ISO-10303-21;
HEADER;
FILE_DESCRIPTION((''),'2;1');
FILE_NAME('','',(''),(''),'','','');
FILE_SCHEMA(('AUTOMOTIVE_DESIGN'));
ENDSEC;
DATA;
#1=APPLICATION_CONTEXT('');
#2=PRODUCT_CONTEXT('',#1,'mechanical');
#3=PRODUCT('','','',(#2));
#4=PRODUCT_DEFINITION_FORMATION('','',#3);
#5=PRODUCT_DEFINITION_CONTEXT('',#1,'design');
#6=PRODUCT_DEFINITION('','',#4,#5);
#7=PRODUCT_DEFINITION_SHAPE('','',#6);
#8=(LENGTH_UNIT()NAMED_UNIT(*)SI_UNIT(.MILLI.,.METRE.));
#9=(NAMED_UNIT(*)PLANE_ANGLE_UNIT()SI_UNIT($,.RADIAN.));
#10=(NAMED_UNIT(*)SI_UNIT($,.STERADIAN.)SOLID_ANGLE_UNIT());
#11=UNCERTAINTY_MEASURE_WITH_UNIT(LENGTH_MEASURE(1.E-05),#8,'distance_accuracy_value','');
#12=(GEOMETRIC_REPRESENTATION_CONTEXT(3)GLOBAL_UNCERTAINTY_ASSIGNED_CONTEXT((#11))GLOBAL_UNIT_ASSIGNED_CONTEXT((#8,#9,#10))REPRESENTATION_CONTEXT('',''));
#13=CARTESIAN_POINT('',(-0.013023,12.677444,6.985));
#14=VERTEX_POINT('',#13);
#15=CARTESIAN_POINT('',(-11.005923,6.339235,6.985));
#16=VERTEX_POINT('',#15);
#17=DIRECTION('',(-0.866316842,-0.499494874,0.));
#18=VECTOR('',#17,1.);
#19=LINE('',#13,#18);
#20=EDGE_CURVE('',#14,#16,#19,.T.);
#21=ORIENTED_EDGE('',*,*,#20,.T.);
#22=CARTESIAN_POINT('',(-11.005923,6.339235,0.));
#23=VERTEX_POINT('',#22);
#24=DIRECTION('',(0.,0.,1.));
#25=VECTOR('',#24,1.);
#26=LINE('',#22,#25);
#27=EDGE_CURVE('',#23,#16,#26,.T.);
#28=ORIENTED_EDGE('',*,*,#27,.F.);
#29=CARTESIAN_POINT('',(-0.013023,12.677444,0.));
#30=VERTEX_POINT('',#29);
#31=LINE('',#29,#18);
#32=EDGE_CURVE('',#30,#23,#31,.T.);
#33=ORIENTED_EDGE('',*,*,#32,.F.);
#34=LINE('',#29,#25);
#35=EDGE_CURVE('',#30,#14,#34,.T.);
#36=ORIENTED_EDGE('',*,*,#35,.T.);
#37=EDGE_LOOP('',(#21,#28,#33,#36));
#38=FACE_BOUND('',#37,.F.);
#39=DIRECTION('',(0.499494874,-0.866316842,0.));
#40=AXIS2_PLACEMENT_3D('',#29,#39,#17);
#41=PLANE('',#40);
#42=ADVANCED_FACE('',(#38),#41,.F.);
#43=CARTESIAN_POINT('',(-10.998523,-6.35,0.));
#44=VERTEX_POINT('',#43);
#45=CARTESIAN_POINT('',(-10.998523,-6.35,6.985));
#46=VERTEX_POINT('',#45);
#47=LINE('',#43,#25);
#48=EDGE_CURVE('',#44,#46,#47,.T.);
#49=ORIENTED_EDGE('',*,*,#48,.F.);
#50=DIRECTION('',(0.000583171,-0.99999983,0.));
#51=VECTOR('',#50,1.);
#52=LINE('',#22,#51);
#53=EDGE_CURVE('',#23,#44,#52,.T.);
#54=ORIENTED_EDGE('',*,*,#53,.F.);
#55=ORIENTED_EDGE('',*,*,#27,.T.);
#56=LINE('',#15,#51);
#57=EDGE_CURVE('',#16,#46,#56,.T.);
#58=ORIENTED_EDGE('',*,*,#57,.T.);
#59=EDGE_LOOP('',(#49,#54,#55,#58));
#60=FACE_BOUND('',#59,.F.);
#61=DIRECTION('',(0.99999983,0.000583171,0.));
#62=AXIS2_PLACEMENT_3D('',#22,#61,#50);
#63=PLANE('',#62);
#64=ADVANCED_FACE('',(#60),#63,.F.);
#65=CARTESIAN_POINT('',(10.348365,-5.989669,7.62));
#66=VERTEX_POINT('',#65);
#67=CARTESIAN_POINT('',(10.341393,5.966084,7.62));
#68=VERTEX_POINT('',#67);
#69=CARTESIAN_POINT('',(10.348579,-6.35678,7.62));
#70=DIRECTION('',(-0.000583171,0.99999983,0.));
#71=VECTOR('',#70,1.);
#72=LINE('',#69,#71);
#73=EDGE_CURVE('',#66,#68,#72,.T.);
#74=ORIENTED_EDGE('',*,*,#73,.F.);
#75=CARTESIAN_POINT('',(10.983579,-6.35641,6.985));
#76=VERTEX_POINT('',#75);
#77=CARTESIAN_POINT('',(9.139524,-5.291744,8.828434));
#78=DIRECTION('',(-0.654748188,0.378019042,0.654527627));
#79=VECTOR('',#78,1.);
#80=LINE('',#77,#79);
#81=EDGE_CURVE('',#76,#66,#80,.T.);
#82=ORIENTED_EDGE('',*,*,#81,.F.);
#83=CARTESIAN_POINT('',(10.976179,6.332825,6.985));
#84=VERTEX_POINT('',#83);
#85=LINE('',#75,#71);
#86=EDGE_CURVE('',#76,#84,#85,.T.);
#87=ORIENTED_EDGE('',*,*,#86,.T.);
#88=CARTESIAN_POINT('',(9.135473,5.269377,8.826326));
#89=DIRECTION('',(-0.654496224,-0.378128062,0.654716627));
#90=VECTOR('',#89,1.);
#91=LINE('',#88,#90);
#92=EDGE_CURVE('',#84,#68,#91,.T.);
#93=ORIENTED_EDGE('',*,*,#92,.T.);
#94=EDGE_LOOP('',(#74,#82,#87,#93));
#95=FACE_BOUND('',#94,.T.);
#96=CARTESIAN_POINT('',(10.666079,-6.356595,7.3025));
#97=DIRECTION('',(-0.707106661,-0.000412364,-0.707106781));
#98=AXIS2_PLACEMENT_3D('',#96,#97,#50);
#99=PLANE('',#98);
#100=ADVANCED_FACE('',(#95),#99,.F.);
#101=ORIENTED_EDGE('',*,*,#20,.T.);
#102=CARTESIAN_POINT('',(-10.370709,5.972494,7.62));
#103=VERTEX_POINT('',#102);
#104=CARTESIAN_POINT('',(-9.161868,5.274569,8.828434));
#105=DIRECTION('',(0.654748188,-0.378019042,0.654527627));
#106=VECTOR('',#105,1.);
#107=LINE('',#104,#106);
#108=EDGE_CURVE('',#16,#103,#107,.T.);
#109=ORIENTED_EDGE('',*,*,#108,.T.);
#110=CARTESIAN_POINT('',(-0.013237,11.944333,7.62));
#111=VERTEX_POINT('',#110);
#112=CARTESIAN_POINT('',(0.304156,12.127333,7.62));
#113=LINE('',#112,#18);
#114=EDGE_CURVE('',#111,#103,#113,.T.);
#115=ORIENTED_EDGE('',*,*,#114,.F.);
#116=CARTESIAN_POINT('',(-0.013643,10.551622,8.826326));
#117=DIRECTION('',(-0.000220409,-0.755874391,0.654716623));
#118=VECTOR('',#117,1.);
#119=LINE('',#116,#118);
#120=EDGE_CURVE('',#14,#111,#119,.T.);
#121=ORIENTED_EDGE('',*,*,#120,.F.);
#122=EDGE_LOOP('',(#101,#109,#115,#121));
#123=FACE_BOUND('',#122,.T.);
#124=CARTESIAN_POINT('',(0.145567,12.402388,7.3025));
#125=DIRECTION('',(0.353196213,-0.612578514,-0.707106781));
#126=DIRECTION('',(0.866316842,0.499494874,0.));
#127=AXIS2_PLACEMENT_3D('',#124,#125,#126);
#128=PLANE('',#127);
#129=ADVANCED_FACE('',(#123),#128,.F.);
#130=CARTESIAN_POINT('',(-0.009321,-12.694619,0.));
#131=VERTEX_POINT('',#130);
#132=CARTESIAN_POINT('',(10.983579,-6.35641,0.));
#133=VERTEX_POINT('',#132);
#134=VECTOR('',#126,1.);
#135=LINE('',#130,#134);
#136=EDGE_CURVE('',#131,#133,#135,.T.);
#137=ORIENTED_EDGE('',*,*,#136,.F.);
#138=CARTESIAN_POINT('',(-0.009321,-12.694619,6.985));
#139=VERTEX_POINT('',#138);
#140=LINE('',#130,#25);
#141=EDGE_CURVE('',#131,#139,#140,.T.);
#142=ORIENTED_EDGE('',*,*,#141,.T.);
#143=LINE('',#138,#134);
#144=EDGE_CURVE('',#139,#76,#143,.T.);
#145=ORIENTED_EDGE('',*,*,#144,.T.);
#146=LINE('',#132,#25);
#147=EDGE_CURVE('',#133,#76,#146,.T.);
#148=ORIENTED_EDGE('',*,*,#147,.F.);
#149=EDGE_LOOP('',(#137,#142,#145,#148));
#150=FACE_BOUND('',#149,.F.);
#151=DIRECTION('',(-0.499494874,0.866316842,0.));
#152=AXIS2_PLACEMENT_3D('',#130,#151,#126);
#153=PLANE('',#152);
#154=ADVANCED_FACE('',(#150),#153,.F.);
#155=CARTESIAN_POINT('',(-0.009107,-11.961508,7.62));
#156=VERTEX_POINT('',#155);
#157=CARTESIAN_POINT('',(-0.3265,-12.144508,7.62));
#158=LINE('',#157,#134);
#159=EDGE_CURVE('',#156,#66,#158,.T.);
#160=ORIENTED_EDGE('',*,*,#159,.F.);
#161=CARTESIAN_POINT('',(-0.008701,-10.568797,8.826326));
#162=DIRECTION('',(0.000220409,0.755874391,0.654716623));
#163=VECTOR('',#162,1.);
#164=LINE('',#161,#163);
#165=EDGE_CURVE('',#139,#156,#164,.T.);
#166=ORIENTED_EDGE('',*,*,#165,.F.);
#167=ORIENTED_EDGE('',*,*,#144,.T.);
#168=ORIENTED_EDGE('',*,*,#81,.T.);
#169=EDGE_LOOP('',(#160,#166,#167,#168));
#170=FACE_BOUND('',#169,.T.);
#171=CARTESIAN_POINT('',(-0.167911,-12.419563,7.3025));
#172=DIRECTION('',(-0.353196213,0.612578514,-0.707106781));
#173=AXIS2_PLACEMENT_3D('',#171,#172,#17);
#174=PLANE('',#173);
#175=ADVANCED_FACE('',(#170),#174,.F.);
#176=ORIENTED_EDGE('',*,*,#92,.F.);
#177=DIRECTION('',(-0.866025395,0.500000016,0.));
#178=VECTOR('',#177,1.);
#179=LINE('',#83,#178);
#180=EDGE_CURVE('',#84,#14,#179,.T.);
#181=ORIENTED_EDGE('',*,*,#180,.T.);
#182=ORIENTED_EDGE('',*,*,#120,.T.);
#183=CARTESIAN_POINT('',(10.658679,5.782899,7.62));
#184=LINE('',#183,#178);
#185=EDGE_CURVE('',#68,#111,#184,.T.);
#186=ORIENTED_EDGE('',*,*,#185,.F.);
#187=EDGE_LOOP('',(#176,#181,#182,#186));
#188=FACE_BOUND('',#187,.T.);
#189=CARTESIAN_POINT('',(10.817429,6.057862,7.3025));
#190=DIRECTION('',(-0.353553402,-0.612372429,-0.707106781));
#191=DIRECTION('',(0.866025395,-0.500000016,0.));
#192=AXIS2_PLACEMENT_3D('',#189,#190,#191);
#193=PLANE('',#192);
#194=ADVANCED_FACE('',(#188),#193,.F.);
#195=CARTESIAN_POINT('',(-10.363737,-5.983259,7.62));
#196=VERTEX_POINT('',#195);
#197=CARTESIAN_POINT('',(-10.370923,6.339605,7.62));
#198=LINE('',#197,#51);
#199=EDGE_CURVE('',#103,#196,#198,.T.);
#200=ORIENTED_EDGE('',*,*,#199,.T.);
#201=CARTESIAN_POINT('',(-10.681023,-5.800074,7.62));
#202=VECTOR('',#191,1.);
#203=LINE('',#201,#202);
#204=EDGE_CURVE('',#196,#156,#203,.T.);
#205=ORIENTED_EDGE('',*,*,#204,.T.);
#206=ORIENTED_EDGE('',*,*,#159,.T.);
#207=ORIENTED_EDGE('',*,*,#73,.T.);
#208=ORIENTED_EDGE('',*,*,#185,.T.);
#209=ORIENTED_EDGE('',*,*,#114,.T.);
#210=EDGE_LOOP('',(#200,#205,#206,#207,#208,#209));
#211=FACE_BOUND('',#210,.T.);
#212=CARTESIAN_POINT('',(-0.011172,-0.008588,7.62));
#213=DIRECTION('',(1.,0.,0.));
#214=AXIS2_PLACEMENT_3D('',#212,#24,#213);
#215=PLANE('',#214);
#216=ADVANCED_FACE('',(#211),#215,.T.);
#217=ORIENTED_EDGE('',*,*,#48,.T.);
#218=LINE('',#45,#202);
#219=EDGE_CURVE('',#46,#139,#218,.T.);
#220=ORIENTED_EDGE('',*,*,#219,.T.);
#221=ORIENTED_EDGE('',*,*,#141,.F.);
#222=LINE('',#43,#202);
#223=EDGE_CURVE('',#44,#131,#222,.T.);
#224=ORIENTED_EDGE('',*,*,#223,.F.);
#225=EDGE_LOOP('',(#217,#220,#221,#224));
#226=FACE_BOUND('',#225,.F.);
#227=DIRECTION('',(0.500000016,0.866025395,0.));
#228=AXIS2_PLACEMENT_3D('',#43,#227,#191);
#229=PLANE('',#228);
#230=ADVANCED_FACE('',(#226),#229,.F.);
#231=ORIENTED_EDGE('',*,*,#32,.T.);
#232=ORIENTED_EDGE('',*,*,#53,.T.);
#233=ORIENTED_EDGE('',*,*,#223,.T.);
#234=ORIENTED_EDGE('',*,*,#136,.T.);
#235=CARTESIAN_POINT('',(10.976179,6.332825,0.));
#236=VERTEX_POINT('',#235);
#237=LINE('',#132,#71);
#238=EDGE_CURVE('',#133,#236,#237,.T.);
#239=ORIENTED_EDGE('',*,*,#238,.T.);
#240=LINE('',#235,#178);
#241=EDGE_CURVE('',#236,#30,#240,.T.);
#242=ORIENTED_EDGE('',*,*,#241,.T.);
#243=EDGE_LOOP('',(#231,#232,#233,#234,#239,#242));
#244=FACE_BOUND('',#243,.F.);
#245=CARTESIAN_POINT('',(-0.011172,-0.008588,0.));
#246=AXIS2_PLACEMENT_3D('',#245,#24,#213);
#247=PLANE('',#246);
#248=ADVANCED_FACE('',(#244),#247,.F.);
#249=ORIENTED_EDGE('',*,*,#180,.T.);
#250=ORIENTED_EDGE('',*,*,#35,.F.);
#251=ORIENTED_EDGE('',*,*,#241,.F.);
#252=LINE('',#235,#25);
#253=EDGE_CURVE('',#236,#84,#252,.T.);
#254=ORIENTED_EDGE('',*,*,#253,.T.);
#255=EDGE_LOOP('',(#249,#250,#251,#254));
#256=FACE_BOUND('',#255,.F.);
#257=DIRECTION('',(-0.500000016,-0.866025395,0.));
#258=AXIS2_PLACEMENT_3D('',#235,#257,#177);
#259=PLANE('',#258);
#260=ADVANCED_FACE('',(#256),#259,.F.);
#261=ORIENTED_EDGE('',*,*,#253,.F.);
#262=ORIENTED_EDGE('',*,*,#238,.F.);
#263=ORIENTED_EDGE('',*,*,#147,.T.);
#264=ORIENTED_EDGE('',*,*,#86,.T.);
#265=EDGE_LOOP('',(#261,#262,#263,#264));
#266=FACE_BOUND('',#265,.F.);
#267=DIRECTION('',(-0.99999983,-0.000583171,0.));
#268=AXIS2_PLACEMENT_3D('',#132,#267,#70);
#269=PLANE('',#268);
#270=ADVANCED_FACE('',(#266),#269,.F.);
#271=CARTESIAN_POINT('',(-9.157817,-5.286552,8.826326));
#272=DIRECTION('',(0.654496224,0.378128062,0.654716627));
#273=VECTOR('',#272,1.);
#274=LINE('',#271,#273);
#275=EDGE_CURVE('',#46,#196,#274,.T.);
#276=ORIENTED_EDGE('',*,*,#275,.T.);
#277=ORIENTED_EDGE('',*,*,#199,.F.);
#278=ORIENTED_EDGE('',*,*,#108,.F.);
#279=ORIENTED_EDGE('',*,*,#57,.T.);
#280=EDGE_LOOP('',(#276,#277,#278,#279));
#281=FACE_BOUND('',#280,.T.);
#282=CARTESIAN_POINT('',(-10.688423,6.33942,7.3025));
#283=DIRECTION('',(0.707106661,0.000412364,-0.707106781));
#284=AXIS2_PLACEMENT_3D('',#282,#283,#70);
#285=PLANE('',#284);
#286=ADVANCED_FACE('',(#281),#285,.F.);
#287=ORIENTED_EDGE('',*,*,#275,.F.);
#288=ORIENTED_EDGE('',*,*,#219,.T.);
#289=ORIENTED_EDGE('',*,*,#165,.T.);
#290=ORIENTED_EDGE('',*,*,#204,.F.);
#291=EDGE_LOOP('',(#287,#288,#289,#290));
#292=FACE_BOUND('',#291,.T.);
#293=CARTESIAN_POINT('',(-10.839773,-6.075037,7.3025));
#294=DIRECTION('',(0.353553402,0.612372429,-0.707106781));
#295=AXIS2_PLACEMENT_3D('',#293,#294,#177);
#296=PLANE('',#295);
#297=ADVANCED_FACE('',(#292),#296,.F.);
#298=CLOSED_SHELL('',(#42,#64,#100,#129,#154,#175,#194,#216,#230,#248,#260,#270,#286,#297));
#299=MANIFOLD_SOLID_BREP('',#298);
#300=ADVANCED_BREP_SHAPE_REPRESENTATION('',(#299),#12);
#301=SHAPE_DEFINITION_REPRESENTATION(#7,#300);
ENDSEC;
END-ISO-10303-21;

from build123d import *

# Parameters (mm, degrees)
F1_DEPTH = 7.62
F2_SIZE  = 0.635


with BuildPart() as f1:
    # F0 (on Top) → F1 (new body)
    with BuildSketch(Plane.XY):
        Polygon((10.976179, 6.332825), (-0.013023, 12.677444), (-11.005923, 6.339235), (-10.998523, -6.35), (-0.009321, -12.694619), (10.983579, -6.35641), align=None)
    extrude(amount=F1_DEPTH)

    # F2
    f2_edges = [f1.edges().sort_by_distance(p)[0] for p in [
        (10.979879, -0.011792, 7.62),
        (5.481578, 9.505135, 7.62),
        (-5.509473, 9.50834, 7.62),
        (-11.002223, -0.005382, 7.62),
        (-5.503922, -9.522309, 7.62),
        (5.487129, -9.525514, 7.62),
    ]]
    chamfer(f2_edges, length=F2_SIZE)


solid = f1.part
